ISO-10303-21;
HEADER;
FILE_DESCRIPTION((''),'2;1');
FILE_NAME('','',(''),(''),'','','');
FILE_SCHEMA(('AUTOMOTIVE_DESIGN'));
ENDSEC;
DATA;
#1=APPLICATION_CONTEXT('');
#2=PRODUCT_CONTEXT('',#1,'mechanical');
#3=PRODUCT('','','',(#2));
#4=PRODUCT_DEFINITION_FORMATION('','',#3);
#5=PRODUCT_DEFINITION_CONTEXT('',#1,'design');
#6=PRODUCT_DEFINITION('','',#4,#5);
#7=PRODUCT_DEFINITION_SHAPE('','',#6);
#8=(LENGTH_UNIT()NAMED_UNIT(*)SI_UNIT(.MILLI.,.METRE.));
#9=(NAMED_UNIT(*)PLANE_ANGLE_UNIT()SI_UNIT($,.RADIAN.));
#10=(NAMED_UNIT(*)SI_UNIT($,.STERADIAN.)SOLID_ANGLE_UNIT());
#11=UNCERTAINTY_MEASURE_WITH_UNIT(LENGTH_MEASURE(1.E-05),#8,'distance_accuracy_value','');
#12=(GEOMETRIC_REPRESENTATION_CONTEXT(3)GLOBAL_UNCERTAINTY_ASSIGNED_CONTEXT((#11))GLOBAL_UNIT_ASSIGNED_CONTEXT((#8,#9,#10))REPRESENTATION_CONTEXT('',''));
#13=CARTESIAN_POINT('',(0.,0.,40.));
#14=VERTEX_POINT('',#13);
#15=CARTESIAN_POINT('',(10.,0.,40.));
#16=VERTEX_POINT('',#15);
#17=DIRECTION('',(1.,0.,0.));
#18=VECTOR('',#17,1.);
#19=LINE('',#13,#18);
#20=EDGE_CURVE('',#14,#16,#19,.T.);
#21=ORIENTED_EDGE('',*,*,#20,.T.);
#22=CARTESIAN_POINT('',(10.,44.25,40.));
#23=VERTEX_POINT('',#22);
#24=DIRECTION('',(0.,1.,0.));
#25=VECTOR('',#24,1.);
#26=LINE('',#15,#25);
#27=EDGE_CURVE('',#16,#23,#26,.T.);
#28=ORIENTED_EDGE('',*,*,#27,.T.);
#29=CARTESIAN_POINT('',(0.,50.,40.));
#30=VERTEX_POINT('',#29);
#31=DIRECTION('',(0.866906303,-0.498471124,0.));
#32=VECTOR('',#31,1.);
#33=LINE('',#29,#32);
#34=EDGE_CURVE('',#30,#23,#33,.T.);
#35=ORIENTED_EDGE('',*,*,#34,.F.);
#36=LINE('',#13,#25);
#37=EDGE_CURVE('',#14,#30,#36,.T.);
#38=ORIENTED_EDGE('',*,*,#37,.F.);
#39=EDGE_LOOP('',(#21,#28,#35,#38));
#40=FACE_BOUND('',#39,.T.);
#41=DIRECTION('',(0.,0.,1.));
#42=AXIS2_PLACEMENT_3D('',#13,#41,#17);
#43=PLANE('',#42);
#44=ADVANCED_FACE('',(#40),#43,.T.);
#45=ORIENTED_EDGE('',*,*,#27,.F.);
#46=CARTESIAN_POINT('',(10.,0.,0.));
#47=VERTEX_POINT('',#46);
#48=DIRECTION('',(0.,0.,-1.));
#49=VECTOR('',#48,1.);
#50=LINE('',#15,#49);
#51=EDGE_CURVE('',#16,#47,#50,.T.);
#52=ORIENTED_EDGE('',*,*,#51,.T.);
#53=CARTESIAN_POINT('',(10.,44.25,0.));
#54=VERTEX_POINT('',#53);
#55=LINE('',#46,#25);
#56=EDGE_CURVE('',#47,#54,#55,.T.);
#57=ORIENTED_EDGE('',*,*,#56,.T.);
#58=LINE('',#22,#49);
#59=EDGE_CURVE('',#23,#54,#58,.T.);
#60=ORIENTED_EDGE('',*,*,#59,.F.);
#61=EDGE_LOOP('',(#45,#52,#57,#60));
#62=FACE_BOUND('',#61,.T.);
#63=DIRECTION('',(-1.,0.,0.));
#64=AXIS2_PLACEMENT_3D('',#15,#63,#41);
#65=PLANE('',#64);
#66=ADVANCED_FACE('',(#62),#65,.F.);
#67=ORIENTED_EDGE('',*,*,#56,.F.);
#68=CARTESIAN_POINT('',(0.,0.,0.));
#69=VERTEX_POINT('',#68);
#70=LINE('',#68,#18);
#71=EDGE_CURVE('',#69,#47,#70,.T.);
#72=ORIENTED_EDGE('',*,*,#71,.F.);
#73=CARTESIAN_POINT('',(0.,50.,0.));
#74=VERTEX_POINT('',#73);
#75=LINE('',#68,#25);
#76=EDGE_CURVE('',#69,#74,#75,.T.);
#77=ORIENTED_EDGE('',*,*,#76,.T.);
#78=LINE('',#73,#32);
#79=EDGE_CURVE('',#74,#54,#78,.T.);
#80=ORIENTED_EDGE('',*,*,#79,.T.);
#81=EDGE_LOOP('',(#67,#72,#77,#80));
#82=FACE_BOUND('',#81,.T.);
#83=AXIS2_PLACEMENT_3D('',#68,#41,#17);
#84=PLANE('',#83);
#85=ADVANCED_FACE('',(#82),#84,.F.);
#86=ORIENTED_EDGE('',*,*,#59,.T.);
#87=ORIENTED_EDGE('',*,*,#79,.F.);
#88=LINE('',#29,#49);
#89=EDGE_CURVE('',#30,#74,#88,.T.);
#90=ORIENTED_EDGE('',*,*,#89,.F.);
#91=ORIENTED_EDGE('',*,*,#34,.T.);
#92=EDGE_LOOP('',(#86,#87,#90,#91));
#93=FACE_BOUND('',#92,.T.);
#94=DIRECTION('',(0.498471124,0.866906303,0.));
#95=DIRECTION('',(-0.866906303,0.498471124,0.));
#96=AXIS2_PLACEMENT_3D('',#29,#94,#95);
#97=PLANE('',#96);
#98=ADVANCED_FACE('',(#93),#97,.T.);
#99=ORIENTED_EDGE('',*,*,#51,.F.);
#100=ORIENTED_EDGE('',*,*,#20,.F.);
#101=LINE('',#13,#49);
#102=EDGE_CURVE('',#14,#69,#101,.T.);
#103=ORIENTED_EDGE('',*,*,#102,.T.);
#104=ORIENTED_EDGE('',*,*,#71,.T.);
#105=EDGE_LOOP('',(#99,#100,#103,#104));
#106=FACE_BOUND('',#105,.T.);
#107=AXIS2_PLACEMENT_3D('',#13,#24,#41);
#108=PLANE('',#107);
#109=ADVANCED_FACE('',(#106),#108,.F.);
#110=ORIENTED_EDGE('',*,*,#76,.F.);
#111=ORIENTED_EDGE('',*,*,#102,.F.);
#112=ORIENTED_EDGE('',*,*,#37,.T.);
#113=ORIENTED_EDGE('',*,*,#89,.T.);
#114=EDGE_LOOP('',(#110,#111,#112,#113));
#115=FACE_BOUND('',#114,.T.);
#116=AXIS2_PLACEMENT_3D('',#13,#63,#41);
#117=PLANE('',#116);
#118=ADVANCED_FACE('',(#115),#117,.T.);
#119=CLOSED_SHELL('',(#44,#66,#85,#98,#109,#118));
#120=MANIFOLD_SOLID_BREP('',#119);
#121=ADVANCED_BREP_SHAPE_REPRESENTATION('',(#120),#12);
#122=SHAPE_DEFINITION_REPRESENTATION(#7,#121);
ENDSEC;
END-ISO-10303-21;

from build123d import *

# Parameters (mm, degrees)
BOSS_EXTRUDE1_DEPTH = 40


with BuildPart() as part:
    # Sketch1 → Boss-Extrude1 (new body)
    with BuildSketch(Plane.XY):
        Polygon((0, 0), (0, 50), (10, 44.25), (10, 0), align=None)
    extrude(amount=BOSS_EXTRUDE1_DEPTH)


solid = part.part
